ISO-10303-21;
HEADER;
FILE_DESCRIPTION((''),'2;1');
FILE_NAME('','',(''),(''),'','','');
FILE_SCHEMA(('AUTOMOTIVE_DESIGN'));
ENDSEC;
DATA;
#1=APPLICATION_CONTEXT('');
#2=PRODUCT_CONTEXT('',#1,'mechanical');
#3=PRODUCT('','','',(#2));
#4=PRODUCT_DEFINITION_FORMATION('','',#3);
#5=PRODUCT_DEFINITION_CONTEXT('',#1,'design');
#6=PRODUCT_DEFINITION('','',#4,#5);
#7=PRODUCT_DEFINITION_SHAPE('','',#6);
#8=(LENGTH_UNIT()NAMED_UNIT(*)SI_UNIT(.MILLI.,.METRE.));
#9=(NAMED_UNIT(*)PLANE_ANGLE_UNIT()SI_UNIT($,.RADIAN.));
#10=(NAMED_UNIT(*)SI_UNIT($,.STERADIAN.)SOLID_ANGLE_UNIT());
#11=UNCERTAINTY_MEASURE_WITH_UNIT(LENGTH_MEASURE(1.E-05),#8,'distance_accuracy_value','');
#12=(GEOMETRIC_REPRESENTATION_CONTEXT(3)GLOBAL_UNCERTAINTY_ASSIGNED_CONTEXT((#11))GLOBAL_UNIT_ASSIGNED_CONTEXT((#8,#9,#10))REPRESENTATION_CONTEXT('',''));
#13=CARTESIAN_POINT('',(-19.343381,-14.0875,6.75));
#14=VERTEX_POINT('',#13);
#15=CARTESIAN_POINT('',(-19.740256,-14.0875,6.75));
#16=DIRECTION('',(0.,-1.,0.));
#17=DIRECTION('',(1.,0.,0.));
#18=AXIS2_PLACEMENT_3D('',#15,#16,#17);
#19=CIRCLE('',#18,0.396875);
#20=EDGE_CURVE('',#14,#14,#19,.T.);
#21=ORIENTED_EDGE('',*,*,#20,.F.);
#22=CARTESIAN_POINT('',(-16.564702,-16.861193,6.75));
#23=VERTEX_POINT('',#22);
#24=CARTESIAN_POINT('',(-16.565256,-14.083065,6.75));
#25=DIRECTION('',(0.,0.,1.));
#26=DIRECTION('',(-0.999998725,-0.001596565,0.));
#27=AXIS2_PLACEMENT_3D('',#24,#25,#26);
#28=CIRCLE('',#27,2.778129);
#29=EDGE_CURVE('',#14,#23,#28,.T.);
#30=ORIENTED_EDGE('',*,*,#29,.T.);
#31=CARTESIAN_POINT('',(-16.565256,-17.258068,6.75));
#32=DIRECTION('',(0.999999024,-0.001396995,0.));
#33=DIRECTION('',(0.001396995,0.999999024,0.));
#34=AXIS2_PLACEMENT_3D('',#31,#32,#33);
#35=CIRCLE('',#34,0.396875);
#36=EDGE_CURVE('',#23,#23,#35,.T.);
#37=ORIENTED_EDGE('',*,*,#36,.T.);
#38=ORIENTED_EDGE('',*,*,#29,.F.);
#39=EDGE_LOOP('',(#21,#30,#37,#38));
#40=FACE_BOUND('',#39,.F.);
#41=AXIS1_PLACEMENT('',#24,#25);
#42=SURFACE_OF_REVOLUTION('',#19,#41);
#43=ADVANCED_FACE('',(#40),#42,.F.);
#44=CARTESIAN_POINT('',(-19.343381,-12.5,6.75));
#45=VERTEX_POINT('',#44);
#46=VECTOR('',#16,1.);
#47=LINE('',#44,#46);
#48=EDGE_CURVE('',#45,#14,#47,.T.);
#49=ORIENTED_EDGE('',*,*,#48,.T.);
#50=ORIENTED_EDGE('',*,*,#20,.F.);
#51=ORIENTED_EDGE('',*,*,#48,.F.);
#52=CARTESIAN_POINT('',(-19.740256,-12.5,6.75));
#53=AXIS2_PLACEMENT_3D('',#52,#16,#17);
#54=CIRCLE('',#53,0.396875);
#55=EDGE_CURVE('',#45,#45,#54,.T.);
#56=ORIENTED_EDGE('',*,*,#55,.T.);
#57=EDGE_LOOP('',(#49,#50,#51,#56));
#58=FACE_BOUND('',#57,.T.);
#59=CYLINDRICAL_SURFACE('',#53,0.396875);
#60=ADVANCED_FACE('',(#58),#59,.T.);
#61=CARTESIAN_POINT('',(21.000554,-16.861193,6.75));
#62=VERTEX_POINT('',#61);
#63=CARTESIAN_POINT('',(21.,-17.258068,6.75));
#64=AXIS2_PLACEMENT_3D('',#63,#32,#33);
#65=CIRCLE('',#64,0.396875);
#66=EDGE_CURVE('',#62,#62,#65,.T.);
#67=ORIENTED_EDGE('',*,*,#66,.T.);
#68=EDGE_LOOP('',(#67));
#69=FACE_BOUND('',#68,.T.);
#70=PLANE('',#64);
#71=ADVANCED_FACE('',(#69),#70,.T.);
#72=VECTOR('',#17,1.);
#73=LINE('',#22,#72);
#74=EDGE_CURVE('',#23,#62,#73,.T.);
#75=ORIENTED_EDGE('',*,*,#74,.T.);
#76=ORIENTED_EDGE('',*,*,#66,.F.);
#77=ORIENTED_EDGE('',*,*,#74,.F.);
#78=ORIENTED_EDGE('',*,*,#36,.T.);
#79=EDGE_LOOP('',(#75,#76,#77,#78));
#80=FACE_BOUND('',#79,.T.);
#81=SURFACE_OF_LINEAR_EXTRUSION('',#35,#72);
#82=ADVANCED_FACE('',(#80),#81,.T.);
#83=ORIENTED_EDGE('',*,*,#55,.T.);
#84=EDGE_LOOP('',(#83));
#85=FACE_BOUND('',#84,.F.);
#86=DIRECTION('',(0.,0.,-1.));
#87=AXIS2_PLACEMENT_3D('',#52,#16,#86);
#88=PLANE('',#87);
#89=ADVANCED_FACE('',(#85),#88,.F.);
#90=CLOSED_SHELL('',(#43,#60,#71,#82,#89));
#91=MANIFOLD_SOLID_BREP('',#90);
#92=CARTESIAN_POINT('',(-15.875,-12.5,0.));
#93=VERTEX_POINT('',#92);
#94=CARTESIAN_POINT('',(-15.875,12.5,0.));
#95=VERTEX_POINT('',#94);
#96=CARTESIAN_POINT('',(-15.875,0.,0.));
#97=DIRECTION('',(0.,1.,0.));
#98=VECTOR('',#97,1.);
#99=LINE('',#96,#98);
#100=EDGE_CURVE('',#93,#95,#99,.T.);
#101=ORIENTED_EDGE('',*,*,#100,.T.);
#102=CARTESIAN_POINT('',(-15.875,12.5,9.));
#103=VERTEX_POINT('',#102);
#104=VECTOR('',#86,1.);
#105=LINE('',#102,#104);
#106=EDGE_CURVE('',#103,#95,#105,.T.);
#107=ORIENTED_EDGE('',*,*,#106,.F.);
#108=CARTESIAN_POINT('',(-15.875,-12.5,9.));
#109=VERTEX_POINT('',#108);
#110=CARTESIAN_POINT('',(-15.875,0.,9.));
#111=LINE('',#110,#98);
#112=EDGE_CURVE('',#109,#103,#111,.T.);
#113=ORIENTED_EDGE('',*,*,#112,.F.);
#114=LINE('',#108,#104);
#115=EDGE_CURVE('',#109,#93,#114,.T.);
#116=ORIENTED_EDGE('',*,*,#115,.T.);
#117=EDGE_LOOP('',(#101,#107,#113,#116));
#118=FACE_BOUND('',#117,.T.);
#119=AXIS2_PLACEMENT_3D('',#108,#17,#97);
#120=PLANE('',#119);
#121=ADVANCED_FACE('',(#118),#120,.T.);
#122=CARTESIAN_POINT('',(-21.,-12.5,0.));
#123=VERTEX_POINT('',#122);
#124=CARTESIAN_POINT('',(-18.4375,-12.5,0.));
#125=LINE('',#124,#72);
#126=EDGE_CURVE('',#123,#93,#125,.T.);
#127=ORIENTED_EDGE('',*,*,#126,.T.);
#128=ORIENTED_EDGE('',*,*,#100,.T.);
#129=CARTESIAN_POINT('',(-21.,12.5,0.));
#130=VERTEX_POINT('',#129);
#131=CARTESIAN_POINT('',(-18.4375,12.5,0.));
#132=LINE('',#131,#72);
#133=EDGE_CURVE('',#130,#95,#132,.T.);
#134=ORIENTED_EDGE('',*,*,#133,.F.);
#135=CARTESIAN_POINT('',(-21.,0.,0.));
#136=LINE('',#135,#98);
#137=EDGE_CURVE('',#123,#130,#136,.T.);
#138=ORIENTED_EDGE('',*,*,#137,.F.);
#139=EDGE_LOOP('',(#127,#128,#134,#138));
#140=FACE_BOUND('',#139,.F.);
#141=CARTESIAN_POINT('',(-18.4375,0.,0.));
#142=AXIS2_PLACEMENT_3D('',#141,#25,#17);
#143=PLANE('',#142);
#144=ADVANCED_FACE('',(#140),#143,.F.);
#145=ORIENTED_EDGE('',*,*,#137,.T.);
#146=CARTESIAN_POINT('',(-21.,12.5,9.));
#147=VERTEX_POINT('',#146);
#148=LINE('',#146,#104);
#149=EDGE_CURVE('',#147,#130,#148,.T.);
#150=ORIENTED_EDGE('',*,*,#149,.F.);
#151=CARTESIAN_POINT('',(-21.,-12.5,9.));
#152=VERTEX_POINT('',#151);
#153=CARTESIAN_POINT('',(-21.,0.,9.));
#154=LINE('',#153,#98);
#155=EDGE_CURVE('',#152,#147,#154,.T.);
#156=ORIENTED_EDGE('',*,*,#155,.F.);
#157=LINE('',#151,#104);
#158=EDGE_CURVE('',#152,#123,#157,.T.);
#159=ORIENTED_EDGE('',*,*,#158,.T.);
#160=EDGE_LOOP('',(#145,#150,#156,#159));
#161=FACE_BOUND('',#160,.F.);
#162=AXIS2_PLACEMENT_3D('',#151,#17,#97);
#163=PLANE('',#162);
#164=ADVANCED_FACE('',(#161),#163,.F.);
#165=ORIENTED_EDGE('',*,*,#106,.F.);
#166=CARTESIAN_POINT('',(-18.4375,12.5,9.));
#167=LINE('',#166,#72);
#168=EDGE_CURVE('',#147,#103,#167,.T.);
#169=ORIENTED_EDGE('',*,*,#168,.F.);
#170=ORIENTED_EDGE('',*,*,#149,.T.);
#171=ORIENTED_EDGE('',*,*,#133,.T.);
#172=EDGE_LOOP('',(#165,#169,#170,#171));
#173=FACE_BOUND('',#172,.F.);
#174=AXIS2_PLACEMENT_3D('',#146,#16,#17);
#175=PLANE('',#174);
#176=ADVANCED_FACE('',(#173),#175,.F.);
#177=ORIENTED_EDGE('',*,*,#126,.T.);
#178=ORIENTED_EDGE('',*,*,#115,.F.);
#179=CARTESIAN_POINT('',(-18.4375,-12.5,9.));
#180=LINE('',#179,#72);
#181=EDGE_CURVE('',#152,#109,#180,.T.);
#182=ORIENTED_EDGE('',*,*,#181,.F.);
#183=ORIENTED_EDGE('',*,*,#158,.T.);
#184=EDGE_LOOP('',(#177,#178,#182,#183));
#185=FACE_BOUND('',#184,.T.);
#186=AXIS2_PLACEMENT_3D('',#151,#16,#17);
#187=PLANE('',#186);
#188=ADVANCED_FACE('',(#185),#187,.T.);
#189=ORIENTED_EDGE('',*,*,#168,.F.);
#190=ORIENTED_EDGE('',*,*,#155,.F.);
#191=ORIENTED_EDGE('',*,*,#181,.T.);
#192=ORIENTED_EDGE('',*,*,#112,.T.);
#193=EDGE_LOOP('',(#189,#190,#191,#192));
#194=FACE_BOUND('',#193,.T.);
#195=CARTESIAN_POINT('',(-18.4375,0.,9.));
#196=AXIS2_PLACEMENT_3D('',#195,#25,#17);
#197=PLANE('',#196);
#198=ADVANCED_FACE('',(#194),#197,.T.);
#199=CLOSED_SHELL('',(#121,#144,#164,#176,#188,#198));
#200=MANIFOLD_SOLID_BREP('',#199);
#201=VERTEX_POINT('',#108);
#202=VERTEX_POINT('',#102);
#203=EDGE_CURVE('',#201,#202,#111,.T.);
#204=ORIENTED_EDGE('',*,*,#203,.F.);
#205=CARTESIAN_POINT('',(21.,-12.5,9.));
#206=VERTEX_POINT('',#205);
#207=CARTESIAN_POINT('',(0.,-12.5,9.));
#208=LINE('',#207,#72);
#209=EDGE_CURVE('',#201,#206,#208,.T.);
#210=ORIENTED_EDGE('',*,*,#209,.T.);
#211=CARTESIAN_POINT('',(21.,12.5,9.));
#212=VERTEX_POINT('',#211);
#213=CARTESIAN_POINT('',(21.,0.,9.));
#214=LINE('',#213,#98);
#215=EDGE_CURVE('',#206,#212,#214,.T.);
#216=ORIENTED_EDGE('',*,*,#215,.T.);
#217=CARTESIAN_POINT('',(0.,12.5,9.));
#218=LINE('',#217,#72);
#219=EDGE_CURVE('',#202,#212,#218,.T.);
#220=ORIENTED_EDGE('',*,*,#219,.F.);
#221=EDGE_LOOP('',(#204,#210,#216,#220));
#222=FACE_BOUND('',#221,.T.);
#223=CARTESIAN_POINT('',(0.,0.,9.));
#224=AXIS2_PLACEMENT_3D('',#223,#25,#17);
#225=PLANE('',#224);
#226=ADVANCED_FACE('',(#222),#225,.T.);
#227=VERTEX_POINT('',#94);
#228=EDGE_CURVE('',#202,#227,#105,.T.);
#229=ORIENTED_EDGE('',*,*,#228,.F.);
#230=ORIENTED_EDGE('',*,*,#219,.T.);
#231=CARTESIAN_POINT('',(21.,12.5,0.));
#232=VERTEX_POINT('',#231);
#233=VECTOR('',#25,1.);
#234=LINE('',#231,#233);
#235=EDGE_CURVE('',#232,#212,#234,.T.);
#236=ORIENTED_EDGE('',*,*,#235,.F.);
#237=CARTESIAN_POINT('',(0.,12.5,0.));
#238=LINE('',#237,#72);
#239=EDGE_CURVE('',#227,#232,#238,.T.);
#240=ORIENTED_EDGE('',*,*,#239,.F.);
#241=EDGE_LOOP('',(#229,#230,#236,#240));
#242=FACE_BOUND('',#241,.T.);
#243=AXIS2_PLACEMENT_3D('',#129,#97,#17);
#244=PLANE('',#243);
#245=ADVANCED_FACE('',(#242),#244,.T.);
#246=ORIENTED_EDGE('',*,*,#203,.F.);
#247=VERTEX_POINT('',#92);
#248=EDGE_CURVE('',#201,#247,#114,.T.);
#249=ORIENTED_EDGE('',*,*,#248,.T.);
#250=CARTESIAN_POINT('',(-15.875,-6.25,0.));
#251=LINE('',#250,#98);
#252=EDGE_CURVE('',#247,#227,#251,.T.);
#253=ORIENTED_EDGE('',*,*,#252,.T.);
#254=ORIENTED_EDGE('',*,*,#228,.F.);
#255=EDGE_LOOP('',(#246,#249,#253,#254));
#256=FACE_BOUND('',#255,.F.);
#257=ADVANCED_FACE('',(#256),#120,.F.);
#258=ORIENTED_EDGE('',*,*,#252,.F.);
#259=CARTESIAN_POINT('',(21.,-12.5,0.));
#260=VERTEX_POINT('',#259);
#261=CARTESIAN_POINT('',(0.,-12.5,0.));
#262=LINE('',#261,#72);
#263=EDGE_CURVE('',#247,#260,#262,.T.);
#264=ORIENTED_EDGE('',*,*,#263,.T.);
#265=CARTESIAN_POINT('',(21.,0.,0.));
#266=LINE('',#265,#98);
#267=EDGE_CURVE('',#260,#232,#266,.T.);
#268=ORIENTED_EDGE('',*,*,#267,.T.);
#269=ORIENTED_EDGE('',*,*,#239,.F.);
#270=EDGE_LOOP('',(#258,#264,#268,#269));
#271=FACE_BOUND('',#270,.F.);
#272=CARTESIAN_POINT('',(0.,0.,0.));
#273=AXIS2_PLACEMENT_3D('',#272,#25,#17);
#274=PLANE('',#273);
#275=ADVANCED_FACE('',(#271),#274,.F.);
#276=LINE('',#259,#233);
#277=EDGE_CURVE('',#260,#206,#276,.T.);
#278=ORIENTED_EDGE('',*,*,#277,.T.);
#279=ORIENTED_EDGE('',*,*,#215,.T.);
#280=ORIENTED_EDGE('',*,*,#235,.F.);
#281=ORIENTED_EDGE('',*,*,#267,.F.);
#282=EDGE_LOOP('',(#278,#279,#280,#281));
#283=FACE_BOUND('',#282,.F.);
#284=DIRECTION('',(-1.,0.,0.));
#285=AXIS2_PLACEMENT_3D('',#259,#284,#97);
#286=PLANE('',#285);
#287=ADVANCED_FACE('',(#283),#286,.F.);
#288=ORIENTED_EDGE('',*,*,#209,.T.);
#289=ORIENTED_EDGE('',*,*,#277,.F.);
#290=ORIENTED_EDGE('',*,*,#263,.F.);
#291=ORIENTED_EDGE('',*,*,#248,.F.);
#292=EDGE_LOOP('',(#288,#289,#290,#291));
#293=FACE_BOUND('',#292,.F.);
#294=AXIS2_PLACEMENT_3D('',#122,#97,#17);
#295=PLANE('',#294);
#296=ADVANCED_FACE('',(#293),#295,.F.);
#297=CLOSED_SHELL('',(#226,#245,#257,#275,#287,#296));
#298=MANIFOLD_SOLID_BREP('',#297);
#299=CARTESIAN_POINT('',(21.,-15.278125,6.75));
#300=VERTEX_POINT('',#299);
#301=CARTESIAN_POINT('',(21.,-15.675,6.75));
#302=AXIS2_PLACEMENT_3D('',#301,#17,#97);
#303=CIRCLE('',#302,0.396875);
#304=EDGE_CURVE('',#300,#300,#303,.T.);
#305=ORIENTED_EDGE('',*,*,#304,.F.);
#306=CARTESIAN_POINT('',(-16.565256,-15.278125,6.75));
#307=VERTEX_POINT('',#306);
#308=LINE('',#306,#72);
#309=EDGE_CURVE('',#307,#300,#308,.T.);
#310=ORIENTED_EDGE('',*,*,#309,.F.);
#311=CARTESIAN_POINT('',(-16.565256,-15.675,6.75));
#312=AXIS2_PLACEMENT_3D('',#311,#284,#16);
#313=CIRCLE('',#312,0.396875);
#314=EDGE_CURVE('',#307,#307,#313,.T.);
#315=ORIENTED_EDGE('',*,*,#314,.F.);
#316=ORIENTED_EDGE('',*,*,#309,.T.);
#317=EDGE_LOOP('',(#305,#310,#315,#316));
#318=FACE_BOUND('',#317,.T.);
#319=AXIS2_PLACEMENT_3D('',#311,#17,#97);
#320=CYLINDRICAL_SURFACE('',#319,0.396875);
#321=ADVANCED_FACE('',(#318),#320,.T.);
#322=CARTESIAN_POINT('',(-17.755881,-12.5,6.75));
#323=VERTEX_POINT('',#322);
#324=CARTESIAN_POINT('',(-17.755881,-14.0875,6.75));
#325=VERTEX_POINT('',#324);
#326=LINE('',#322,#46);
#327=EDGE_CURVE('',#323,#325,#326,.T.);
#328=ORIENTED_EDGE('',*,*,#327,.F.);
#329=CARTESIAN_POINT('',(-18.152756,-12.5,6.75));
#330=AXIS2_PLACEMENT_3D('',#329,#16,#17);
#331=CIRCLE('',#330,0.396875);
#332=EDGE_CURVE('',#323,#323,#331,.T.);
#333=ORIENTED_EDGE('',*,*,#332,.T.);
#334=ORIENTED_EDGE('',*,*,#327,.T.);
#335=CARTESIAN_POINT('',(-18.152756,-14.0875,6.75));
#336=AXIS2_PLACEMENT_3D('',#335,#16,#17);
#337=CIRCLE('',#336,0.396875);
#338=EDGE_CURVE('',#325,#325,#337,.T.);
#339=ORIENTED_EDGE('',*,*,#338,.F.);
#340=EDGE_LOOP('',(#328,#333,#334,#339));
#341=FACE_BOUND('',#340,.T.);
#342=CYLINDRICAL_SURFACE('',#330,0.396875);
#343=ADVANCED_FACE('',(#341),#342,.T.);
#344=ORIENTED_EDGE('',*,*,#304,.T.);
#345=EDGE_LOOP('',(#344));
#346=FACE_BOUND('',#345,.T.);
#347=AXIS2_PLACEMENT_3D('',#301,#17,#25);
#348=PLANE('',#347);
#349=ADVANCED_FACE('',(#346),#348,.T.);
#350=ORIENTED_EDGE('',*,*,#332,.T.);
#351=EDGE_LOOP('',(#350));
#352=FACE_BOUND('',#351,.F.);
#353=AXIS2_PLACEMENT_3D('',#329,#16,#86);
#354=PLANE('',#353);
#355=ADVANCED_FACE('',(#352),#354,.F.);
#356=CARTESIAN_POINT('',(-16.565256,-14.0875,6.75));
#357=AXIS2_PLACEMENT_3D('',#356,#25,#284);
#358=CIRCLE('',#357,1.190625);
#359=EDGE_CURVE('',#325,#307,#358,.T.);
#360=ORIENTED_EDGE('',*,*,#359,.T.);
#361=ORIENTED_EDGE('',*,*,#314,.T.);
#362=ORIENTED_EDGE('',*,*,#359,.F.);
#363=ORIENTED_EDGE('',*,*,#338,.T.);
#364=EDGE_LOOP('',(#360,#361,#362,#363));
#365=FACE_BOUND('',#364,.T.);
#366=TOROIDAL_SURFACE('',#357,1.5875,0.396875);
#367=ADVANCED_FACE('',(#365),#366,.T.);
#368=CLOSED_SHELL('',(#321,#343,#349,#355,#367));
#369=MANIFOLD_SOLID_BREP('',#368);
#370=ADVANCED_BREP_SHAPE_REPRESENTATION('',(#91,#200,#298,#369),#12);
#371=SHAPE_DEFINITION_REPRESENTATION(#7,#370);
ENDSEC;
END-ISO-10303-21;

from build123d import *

# Parameters (mm, degrees)
F0_W     = 42
F0_H     = 25
F1_DEPTH = 9
F2_W     = 5.125
F2_H     = 25
F3_DEPTH = 9.001
F4_DEPTH = 9
F6_R     = 0.396875


with BuildPart() as f1:
    # F0 (on Top) → F1 (new body)
    with BuildSketch(Plane.XY):
        Rectangle(F0_W, F0_H)
    extrude(amount=F1_DEPTH)

    # F2 (on face) → F3 (cut, through all)
    with BuildSketch(Plane.XY.offset(9)):
        with Locations((-18.4375, 0)):
            Rectangle(F2_W, F2_H)
    extrude(amount=-F3_DEPTH, mode=Mode.SUBTRACT)


with BuildPart() as f4:
    # F2 (on face) → F4 (new body)
    with BuildSketch(Plane.XY.offset(9)):
        with Locations((-18.4375, 0)):
            Rectangle(F2_W, F2_H)
    extrude(amount=-F4_DEPTH)


with BuildPart() as f8:
    # F8: sweep along a path in F7
    with BuildLine(Plane.XY.offset(6.75)) as f8_path:
        Line((-18.1527560161, -12.5), (-18.1527560161, -14.0875))
        ThreePointArc((-18.1527560161, -14.0875), (-17.6877880312, -15.2100320151), (-16.5652560161, -15.675))
        Line((-16.5652560161, -15.675), (21, -15.675))
    # F6 (on face) → F8 (sweep)
    with BuildSketch(Plane.XZ.offset(12.5)):
        with Locations((-18.1527560161, 6.75)):
            Circle(F6_R)
    sweep(path=f8_path.line)


with BuildPart() as f9:
    # F9: sweep along a path in F7
    with BuildLine(Plane.XY.offset(6.75)) as f9_path:
        Line((-19.7402560161, -12.5), (-19.7402560161, -14.0875))
        ThreePointArc((-19.7402560161, -14.0875), (-18.8087535161, -16.3296983837), (-16.5652560161, -17.2580676353))
        Line((-16.5652560161, -17.2580676353), (21, -17.2580676353))
    # F6 (on face) → F9 (sweep)
    with BuildSketch(Plane.XZ.offset(12.5)):
        with Locations((-19.7402560161, 6.75)):
            Circle(F6_R)
    sweep(path=f9_path.line)


solid = Compound([f1.part, f4.part, f8.part, f9.part])
